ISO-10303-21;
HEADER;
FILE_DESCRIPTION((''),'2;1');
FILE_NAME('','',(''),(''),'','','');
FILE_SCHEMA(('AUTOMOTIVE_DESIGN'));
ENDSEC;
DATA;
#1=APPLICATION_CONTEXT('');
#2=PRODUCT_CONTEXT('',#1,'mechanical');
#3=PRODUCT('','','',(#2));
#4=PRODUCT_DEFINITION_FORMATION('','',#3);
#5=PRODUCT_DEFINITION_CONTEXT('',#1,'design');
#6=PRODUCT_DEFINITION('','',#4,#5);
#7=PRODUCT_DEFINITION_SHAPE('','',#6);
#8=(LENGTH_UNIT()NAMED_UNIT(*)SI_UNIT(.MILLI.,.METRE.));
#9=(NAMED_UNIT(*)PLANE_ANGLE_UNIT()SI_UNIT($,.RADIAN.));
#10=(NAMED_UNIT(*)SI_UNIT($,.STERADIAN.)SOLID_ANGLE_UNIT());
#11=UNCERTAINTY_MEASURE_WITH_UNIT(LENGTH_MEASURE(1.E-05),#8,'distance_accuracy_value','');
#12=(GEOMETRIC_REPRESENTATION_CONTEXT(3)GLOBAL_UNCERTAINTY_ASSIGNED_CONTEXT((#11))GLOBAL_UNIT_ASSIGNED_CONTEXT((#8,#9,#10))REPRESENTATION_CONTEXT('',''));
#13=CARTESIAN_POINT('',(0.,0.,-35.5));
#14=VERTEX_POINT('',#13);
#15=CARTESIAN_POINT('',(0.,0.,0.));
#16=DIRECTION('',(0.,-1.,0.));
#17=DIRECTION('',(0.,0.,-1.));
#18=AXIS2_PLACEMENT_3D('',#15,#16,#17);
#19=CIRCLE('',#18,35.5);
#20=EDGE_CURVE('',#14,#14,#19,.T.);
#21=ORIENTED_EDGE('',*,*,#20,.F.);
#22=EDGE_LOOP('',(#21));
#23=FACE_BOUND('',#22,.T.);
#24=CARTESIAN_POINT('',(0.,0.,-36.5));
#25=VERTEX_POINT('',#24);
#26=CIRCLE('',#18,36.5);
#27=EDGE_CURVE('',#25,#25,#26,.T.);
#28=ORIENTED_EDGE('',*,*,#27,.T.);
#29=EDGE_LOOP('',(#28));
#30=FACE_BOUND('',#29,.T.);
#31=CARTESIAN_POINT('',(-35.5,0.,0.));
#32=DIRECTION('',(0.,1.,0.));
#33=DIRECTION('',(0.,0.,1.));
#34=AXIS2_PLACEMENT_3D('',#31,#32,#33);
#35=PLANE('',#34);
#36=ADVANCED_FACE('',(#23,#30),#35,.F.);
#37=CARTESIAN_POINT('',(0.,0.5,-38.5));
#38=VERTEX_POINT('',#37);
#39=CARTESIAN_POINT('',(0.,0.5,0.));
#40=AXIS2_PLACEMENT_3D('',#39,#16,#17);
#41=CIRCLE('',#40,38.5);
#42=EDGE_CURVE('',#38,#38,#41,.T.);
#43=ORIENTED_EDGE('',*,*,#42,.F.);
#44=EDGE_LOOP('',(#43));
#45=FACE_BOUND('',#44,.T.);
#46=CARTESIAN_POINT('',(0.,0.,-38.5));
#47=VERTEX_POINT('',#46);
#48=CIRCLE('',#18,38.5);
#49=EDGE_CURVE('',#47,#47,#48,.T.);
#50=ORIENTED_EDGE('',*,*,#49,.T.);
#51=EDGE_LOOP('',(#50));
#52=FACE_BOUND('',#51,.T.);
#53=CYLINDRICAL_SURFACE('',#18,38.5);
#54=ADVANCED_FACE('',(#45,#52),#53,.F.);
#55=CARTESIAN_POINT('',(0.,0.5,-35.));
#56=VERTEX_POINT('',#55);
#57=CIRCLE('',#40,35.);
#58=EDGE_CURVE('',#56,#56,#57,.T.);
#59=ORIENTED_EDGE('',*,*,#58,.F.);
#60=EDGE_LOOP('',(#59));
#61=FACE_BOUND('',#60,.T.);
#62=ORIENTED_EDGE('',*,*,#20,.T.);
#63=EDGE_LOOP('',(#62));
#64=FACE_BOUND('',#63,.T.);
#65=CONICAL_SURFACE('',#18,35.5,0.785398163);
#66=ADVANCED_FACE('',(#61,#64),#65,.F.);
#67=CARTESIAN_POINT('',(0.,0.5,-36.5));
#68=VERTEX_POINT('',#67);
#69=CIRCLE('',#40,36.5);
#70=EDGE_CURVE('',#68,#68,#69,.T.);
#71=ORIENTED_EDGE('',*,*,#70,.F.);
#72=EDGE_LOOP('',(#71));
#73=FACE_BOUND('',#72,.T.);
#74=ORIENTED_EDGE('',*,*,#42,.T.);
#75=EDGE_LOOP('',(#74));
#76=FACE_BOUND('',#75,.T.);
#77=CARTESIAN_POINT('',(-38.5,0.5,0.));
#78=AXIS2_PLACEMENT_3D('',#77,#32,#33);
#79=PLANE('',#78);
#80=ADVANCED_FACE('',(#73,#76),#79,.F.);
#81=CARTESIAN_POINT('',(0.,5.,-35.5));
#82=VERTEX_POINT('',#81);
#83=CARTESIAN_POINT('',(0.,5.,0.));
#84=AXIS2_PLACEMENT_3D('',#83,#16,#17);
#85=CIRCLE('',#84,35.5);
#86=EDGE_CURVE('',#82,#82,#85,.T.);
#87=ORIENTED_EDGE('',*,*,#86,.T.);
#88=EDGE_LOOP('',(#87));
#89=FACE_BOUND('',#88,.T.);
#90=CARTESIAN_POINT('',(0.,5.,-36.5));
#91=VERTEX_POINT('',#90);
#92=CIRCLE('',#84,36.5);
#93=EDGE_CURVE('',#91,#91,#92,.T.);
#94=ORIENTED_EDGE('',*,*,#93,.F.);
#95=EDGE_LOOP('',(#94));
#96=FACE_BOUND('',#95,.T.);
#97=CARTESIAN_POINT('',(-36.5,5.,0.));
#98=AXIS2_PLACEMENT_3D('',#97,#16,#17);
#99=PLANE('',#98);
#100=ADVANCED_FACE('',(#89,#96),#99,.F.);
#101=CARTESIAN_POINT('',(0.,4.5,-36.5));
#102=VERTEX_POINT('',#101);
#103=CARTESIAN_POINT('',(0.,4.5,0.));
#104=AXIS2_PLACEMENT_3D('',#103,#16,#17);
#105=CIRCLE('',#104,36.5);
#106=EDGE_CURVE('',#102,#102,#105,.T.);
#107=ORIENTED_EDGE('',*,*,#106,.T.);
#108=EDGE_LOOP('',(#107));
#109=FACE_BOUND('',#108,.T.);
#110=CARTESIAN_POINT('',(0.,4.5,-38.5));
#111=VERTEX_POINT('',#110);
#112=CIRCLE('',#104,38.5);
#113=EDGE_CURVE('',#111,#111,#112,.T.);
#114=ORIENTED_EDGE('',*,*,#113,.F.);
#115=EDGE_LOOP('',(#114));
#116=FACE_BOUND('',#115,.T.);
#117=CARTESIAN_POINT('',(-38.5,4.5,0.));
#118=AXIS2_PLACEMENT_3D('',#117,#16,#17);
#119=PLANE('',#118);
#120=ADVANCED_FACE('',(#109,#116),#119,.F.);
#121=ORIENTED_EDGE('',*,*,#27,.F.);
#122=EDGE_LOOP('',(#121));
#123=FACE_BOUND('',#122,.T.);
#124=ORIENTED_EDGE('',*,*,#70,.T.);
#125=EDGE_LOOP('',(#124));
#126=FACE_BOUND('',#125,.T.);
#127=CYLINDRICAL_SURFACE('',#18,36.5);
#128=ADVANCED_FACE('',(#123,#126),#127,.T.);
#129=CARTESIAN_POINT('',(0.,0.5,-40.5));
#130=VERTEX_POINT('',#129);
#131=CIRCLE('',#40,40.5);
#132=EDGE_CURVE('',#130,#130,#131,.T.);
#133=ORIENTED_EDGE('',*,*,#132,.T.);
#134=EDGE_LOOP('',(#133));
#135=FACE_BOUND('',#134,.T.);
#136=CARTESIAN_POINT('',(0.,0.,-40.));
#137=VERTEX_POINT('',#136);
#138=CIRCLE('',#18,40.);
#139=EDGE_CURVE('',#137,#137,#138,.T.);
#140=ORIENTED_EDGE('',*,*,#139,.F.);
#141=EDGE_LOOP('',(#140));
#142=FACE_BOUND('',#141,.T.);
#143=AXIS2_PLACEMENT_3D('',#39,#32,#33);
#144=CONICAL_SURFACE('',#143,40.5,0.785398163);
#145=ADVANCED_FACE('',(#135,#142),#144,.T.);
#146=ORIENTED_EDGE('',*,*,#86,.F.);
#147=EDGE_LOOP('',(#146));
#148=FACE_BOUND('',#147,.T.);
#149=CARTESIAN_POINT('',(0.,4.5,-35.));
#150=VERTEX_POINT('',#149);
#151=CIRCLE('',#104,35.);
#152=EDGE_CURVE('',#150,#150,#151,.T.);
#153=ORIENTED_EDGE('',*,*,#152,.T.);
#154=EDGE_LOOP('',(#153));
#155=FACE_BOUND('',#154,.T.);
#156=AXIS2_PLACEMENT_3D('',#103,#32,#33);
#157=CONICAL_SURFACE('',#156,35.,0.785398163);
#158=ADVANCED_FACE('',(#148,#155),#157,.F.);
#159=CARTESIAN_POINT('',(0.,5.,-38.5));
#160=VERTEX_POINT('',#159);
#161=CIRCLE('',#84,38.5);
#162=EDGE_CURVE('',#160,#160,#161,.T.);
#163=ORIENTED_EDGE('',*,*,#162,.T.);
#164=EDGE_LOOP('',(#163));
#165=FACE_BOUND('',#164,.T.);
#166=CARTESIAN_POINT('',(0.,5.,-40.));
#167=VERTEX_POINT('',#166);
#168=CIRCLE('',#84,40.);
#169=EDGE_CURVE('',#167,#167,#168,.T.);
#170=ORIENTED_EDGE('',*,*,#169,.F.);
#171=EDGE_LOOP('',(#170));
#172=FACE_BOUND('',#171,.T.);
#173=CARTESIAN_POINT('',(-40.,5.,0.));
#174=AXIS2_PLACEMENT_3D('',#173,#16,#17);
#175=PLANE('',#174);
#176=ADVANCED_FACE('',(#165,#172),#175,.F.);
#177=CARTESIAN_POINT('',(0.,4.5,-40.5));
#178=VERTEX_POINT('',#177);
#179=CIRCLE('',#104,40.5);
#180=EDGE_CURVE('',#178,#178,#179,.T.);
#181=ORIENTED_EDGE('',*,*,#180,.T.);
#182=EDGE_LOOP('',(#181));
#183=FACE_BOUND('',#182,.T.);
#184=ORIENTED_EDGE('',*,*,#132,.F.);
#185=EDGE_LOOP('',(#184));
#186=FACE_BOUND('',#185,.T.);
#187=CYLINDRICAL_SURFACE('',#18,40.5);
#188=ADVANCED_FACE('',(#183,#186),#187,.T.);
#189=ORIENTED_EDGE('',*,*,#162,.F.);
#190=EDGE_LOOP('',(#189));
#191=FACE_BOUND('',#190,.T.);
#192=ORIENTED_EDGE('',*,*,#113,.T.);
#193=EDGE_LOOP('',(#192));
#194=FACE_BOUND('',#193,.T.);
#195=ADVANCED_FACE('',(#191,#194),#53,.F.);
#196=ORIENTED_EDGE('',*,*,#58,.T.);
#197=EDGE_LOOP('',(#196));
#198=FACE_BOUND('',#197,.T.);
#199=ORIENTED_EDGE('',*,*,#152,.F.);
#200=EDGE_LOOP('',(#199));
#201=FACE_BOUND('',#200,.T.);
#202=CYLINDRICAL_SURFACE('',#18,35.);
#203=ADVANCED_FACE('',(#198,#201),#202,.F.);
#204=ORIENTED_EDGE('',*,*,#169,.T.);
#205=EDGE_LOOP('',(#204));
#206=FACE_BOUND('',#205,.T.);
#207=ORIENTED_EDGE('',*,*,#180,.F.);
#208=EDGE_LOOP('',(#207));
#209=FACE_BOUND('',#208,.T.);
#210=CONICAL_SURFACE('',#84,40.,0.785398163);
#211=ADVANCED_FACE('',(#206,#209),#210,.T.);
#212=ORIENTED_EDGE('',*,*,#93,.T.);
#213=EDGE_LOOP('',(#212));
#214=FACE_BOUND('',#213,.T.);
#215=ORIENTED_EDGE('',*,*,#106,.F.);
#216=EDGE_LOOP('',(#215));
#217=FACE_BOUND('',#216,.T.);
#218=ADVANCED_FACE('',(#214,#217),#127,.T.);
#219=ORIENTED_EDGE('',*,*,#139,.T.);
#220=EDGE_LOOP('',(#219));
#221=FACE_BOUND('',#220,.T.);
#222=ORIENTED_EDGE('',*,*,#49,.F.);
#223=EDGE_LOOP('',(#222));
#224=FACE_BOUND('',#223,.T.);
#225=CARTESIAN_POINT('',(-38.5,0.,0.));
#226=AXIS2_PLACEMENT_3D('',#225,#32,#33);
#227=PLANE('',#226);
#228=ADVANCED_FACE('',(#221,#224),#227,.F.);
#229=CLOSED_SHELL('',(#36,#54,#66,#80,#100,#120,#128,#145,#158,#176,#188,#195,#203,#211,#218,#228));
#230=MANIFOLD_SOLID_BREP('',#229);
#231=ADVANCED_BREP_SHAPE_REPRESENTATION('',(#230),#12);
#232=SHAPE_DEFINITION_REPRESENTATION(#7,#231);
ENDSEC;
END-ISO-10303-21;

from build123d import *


with BuildPart() as part:
    # 草图1 → 旋转1 (revolve)
    with BuildSketch(Plane.XY, mode=Mode.PRIVATE) as revolve_1_sk:
        Polygon((-35.5, 0), (-36.5, 0), (-36.5, 0.5), (-38.5, 0.5), (-38.5, 0), (-40, 0), (-40.5, 0.5), (-40.5, 4.5), (-40, 5), (-38.5, 5), (-38.5, 4.5), (-36.5, 4.5), (-36.5, 5), (-35.5, 5), (-35, 4.5), (-35, 0.5), align=None)
    revolve(revolve_1_sk.sketch.rotate(Axis((0, 0, 0), (0, 1, 0)), 270), axis=Axis((0, 0, 0), (0, 1, 0)))


solid = part.part
